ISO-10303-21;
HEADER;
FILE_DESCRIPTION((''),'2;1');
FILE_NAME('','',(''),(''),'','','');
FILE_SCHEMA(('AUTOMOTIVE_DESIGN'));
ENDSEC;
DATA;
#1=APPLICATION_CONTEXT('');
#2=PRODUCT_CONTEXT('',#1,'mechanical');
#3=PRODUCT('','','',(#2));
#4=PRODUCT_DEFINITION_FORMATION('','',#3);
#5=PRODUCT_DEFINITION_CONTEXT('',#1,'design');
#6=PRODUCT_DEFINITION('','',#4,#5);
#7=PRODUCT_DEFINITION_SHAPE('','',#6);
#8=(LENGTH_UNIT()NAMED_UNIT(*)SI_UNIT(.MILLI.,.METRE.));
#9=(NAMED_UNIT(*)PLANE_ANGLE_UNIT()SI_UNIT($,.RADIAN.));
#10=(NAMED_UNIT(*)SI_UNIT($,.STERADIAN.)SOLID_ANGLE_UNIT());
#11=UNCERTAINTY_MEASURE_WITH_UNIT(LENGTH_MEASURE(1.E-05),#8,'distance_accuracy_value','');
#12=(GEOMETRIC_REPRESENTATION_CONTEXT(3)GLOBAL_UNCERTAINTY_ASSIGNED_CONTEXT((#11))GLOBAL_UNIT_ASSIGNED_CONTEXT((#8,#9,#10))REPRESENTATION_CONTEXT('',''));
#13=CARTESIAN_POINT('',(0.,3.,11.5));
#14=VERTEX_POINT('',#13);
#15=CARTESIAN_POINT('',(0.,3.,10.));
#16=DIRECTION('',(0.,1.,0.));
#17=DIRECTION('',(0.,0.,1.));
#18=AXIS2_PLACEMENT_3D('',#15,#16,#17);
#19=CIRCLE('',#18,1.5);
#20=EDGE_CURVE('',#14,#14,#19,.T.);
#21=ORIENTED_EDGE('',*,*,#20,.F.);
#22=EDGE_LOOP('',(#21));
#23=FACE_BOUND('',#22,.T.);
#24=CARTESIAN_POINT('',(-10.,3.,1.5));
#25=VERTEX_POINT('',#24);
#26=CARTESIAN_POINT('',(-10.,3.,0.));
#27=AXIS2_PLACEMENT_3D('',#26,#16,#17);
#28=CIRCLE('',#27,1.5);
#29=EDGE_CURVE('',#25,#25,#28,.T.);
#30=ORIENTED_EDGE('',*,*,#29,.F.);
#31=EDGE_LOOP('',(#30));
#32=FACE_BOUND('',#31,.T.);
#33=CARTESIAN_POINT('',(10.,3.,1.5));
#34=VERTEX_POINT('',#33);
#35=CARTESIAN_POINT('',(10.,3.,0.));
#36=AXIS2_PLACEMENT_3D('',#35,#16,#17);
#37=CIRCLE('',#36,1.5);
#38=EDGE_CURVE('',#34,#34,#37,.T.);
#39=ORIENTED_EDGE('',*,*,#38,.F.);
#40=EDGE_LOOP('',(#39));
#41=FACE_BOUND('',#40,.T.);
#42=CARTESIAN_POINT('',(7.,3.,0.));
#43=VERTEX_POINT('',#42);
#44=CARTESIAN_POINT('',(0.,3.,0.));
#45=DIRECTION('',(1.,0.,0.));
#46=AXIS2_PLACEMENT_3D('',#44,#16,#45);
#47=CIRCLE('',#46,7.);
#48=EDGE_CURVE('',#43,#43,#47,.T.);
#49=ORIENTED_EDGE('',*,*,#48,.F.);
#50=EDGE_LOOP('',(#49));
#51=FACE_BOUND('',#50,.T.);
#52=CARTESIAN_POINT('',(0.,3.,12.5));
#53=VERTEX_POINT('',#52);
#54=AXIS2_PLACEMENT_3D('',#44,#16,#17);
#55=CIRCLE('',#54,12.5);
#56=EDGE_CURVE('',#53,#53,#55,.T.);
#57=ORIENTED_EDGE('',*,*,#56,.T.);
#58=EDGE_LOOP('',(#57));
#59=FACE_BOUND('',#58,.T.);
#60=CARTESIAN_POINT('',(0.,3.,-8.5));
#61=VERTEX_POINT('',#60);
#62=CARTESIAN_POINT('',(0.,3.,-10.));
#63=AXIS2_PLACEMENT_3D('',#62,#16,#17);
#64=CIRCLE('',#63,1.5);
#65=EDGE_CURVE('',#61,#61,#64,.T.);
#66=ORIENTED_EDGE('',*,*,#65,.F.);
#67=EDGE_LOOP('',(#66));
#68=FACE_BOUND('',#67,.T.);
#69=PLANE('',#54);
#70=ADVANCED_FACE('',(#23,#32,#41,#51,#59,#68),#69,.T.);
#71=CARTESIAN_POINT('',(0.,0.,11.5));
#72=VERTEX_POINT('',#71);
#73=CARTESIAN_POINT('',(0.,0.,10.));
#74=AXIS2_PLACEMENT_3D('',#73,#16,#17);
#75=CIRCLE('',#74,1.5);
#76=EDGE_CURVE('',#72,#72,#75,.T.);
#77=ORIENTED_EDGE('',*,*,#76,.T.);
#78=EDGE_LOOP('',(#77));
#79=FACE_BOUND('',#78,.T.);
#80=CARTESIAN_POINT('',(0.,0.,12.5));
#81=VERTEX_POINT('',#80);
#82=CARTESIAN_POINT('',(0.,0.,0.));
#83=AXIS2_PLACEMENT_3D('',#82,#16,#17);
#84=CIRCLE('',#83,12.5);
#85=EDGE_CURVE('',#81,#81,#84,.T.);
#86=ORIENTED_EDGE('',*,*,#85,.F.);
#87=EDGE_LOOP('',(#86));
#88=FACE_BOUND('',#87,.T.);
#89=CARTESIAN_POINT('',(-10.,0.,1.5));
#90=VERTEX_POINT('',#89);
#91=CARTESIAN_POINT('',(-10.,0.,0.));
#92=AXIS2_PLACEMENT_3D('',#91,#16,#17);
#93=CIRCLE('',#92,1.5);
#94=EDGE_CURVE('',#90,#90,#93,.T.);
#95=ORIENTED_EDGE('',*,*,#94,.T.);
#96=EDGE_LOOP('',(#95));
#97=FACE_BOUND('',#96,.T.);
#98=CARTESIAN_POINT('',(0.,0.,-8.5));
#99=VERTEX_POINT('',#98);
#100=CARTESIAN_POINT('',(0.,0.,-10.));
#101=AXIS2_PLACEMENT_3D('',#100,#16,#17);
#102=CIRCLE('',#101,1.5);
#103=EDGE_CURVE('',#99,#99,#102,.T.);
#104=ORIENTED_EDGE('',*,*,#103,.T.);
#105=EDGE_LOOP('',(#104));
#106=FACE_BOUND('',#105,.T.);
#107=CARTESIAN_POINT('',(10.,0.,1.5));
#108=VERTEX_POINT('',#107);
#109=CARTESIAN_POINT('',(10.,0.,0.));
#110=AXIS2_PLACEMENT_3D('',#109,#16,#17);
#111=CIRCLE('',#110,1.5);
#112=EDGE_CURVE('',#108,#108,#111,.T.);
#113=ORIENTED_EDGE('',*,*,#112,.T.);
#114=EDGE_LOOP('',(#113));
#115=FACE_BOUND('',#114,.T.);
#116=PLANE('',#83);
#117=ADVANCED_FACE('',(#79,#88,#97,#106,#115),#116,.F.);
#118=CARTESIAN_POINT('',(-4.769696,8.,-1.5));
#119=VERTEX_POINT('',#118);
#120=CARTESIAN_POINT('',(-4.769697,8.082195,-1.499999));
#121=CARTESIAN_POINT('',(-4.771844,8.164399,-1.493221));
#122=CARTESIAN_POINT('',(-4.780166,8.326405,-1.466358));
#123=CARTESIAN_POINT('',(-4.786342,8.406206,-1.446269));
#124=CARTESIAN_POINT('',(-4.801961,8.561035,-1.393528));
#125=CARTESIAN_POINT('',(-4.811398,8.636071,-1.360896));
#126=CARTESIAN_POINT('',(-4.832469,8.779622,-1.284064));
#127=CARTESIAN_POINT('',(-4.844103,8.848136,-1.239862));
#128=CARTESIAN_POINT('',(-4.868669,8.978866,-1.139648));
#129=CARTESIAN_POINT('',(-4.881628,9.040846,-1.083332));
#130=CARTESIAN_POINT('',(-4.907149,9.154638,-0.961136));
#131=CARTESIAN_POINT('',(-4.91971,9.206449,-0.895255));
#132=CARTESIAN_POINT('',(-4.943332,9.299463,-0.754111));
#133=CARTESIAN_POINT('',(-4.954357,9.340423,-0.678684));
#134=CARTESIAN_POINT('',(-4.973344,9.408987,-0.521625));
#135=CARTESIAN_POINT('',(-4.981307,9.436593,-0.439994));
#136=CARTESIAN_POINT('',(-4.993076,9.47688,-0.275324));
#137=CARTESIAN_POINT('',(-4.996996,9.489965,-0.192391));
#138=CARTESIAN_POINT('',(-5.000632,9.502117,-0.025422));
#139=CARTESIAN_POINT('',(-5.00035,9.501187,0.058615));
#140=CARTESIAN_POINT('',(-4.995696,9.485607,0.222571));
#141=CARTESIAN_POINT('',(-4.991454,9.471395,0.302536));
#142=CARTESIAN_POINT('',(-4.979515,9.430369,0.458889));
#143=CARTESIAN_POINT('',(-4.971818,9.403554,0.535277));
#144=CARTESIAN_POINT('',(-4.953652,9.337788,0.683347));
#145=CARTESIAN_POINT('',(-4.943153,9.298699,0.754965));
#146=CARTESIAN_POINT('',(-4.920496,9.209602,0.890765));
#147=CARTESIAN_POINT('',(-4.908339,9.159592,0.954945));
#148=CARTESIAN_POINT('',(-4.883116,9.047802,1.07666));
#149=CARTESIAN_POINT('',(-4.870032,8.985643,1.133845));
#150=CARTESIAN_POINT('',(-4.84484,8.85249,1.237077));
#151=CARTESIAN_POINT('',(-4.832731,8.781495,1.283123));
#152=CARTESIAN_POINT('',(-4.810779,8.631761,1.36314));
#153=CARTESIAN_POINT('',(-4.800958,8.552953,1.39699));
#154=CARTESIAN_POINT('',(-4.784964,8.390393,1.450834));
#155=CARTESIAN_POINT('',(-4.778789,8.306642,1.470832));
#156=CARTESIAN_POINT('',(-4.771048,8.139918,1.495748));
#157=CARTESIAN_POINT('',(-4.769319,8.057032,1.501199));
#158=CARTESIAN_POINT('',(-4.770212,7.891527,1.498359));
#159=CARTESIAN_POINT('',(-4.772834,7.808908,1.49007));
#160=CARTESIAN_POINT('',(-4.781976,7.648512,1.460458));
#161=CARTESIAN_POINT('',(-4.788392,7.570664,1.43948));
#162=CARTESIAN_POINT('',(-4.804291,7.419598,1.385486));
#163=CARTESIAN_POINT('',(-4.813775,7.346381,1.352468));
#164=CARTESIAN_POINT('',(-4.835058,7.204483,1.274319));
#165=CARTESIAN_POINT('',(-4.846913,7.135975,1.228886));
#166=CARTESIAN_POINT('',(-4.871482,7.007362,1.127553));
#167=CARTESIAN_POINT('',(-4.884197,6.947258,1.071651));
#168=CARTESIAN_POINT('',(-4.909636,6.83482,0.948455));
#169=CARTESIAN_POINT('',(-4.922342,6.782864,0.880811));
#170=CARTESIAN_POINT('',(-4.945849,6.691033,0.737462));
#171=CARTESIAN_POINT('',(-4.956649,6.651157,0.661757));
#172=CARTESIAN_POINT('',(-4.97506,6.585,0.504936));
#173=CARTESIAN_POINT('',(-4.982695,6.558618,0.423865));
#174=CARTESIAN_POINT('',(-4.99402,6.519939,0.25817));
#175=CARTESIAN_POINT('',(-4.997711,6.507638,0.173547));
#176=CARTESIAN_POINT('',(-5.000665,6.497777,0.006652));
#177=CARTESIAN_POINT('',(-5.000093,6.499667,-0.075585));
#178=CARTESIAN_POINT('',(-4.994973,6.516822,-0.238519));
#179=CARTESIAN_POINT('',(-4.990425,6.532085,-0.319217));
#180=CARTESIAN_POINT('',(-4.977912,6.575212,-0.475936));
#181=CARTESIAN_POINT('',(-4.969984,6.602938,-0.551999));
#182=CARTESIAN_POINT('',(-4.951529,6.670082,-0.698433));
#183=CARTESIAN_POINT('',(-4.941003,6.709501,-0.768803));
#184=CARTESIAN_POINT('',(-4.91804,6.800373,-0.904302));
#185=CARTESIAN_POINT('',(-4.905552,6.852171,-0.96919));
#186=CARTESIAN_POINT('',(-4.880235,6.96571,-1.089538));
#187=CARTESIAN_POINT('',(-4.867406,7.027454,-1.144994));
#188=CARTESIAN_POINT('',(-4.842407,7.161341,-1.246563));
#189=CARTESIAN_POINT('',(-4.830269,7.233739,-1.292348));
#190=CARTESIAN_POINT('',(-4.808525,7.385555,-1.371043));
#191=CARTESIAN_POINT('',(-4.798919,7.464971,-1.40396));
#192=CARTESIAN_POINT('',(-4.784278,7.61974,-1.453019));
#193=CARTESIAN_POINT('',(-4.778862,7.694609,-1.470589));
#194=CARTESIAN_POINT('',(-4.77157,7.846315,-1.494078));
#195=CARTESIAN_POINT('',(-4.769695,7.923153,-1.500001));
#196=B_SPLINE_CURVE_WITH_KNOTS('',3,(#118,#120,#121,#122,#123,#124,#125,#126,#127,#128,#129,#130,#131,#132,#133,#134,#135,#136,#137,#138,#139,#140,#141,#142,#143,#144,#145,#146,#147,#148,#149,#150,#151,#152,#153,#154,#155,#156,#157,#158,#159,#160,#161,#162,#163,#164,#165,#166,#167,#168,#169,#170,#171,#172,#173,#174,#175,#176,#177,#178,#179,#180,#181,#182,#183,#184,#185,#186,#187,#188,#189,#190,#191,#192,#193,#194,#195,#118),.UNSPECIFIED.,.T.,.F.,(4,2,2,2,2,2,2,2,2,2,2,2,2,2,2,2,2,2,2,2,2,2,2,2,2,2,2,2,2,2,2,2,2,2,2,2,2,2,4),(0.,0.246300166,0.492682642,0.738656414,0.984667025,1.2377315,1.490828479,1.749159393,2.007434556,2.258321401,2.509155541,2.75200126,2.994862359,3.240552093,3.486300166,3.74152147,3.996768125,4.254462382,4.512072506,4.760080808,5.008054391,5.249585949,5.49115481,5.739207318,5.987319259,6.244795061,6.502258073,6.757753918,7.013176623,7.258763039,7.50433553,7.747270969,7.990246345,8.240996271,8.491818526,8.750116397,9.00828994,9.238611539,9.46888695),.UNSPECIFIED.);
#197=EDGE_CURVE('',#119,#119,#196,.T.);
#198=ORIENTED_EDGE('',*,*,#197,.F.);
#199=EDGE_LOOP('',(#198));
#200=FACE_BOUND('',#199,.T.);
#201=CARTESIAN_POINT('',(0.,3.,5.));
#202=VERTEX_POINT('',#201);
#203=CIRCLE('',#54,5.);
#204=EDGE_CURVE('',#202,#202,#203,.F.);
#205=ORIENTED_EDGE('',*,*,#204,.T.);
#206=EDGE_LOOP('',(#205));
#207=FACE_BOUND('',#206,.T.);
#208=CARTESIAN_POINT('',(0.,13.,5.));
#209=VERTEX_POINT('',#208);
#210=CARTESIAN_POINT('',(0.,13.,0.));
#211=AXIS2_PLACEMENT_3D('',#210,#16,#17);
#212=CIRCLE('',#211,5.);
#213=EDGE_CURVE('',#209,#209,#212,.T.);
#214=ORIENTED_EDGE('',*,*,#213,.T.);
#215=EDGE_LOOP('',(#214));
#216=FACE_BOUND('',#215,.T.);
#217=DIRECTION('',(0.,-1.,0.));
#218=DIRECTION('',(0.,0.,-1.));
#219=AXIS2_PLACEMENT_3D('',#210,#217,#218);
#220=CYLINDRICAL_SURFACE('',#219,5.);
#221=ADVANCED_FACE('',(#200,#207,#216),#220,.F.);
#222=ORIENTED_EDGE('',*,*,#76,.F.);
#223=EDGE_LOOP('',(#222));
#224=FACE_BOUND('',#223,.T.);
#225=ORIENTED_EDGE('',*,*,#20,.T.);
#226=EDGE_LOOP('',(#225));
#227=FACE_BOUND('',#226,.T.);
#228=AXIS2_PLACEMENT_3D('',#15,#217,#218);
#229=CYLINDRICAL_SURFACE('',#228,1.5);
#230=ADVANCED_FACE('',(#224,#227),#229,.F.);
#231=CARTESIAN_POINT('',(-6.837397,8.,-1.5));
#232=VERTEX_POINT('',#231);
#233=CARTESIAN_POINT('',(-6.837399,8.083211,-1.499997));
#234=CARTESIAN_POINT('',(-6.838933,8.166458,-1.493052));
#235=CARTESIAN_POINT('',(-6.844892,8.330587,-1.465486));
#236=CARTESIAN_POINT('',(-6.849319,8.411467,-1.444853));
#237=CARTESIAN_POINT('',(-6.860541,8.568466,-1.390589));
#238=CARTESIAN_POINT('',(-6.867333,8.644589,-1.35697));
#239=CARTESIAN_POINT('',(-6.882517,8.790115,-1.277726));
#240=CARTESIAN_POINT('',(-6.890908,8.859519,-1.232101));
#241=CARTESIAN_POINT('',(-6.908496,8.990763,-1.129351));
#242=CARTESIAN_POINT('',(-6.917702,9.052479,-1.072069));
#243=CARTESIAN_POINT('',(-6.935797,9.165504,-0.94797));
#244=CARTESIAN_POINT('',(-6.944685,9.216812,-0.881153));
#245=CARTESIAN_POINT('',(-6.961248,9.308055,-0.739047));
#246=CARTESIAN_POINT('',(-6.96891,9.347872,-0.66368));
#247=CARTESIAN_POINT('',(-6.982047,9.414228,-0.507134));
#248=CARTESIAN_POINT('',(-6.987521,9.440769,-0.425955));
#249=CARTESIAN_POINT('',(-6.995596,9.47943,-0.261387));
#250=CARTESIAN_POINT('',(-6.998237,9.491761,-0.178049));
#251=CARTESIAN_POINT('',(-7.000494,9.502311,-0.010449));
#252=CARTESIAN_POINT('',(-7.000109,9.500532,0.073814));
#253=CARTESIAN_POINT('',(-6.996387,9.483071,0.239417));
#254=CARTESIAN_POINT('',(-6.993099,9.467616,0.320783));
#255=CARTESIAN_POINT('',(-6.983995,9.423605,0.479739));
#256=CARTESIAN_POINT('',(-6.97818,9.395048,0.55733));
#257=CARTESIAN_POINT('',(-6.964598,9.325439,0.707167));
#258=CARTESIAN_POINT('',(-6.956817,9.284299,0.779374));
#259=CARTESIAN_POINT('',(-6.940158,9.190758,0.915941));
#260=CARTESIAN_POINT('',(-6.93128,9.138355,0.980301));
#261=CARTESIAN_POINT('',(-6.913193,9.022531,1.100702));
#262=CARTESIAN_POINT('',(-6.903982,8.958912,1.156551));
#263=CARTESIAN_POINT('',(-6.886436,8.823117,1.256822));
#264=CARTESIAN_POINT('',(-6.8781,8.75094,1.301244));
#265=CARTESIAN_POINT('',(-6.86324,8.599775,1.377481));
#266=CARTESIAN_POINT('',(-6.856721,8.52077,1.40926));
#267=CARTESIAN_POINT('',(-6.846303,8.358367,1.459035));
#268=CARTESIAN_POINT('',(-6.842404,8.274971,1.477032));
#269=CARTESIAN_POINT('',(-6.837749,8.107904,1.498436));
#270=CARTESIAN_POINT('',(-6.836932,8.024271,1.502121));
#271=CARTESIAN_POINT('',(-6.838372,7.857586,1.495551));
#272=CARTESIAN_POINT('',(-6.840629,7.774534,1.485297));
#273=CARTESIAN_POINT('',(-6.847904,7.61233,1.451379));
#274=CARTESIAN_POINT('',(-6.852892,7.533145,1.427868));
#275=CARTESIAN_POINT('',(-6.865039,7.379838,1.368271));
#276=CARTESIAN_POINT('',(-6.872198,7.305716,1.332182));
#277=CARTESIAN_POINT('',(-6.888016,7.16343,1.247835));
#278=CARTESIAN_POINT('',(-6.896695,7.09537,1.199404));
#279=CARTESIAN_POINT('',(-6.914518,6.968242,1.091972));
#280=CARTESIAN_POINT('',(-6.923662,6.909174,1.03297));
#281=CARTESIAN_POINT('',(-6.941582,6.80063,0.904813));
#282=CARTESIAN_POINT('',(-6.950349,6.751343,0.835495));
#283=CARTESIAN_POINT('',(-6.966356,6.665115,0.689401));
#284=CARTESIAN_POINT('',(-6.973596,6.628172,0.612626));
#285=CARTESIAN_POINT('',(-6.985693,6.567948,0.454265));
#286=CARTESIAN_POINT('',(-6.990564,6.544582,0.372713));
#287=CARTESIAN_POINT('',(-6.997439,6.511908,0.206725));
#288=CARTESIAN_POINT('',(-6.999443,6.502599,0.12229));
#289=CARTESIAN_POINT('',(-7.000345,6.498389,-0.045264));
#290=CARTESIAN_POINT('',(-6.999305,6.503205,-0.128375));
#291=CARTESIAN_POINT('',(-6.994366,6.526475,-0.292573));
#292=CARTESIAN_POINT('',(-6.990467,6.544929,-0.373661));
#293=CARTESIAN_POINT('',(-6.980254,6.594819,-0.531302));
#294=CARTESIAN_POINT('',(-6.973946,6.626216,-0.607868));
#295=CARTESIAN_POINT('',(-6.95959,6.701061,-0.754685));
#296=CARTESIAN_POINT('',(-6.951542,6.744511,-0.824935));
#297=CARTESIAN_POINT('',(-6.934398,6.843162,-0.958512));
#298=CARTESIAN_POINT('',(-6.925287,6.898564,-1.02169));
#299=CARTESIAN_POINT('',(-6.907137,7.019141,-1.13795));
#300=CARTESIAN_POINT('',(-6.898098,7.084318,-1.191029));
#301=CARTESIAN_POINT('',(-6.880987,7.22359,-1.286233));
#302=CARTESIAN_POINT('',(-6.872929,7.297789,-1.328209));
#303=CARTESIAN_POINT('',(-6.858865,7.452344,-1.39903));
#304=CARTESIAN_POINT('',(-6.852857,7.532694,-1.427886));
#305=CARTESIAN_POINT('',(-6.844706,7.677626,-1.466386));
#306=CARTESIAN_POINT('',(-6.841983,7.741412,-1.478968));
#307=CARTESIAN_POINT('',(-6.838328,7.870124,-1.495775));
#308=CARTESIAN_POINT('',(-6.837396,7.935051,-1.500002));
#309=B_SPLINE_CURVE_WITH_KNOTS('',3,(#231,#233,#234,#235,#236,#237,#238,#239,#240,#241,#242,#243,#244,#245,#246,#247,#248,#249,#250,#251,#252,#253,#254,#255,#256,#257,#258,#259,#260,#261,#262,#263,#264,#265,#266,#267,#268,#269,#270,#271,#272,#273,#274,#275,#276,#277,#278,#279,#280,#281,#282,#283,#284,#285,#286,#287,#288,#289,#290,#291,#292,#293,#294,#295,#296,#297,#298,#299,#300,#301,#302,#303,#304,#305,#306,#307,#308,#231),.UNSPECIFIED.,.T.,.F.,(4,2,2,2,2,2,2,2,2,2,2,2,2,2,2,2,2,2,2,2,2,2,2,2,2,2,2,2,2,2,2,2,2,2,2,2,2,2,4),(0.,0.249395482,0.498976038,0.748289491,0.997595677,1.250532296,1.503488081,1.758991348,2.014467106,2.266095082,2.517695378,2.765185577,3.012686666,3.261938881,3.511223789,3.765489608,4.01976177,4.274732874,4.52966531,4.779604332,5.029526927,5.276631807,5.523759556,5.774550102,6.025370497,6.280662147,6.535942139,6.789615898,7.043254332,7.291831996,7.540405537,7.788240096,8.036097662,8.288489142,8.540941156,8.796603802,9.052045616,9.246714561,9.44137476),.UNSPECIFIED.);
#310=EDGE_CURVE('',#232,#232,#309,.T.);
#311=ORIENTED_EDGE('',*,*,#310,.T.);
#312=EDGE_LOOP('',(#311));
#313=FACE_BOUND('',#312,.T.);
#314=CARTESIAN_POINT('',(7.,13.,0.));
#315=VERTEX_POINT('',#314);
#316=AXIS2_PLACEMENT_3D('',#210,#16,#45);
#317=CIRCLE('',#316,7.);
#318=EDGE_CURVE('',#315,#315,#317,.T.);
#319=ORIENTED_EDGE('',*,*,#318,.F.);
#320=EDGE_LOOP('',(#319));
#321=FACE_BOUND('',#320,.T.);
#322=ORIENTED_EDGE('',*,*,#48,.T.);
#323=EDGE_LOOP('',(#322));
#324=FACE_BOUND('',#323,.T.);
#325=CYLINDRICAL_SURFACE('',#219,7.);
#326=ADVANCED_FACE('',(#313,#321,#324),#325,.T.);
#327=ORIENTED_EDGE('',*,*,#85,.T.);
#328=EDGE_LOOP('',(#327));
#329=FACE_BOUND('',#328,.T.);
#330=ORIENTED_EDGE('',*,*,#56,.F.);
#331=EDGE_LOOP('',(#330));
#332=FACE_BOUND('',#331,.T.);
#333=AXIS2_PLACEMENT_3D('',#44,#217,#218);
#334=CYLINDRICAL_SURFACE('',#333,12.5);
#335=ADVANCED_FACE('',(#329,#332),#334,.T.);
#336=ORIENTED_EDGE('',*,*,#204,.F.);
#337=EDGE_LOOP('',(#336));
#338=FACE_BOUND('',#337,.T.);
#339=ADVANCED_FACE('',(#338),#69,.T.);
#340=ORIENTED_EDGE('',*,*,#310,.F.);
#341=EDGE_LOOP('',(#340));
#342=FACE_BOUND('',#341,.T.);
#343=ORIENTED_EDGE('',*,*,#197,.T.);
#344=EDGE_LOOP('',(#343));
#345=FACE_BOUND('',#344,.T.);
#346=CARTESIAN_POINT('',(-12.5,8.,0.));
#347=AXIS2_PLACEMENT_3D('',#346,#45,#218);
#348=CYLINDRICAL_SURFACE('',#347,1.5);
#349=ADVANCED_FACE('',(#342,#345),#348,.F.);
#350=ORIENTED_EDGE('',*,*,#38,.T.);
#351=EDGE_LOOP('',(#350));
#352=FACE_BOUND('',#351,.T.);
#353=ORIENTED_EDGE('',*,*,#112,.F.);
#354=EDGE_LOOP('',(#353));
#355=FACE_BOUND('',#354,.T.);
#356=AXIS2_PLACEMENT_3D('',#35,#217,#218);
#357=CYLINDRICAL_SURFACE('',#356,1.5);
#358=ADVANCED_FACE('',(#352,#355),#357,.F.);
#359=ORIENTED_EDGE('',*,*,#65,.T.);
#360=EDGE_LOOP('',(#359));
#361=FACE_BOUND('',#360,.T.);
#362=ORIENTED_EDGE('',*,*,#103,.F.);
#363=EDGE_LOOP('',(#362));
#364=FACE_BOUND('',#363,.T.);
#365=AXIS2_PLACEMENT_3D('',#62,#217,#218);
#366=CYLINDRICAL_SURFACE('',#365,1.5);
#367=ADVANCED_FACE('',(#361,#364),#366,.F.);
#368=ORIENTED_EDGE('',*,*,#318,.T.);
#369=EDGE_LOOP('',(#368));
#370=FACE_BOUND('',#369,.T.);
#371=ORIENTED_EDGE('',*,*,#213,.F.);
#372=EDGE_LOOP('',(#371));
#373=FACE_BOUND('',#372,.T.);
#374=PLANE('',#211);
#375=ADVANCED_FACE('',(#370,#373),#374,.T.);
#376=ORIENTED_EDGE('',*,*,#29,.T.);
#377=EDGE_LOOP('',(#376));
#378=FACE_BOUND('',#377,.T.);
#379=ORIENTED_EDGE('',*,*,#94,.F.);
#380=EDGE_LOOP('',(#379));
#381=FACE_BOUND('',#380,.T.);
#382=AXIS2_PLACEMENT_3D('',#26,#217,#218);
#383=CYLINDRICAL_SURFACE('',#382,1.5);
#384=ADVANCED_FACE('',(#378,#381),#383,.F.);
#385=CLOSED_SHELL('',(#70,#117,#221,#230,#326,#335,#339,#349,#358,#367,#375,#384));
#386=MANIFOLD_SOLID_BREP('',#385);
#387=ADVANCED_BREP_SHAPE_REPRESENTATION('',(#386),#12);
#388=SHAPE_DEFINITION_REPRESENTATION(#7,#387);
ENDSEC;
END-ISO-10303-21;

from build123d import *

# Parameters (mm, degrees)
IZIM1_R                     = 12.5
IZIM1_R_2                   = 1.5
Y_KSEKLIK_EKSTR_ZYON1_DEPTH = 3
IZIM2_R                     = 7
IZIM2_R_2                   = 5
EKSTR_ZYON_NCE1_DEPTH       = 10
IZIM3_R                     = 1.5
KES_EKSTR_ZYON1_DEPTH       = 22.943108257


with BuildPart() as part:
    # Çizim1 → Yükseklik-Ekstrüzyon1 (new body)
    with BuildSketch(Plane(origin=(0, 0, 0), x_dir=(1, 0, 0), z_dir=(0, 1, 0))):
        with Locations(Location((0, 0, 0), (0, 0, 270))):
            Circle(IZIM1_R)
        with Locations(Location((10, 0, 0), (0, 0, 270))):
            Circle(IZIM1_R_2, mode=Mode.SUBTRACT)
        with Locations(Location((0, -10, 0), (0, 0, 270))):
            Circle(IZIM1_R_2, mode=Mode.SUBTRACT)
        with Locations(Location((-10, 0, 0), (0, 0, 270))):
            Circle(IZIM1_R_2, mode=Mode.SUBTRACT)
        with Locations(Location((0, 10, 0), (0, 0, 270))):
            Circle(IZIM1_R_2, mode=Mode.SUBTRACT)
    extrude(amount=Y_KSEKLIK_EKSTR_ZYON1_DEPTH)

    # Çizim2 → Ekstrüzyon-İnce1 (add)
    with BuildSketch(Plane(origin=(0, 3, 0), x_dir=(1, 0, 0), z_dir=(0, 1, 0))):
        Circle(IZIM2_R)
        Circle(IZIM2_R_2, mode=Mode.SUBTRACT)
    extrude(amount=EKSTR_ZYON_NCE1_DEPTH)

    # Çizim3 → Kes-Ekstrüzyon1 (cut, through all)
    with BuildSketch(Plane(origin=(0, 0, 0), x_dir=(0, 0, -1), z_dir=(1, 0, 0))):
        with Locations((0, 8)):
            Circle(IZIM3_R)
    extrude(amount=-KES_EKSTR_ZYON1_DEPTH, mode=Mode.SUBTRACT)


solid = part.part
